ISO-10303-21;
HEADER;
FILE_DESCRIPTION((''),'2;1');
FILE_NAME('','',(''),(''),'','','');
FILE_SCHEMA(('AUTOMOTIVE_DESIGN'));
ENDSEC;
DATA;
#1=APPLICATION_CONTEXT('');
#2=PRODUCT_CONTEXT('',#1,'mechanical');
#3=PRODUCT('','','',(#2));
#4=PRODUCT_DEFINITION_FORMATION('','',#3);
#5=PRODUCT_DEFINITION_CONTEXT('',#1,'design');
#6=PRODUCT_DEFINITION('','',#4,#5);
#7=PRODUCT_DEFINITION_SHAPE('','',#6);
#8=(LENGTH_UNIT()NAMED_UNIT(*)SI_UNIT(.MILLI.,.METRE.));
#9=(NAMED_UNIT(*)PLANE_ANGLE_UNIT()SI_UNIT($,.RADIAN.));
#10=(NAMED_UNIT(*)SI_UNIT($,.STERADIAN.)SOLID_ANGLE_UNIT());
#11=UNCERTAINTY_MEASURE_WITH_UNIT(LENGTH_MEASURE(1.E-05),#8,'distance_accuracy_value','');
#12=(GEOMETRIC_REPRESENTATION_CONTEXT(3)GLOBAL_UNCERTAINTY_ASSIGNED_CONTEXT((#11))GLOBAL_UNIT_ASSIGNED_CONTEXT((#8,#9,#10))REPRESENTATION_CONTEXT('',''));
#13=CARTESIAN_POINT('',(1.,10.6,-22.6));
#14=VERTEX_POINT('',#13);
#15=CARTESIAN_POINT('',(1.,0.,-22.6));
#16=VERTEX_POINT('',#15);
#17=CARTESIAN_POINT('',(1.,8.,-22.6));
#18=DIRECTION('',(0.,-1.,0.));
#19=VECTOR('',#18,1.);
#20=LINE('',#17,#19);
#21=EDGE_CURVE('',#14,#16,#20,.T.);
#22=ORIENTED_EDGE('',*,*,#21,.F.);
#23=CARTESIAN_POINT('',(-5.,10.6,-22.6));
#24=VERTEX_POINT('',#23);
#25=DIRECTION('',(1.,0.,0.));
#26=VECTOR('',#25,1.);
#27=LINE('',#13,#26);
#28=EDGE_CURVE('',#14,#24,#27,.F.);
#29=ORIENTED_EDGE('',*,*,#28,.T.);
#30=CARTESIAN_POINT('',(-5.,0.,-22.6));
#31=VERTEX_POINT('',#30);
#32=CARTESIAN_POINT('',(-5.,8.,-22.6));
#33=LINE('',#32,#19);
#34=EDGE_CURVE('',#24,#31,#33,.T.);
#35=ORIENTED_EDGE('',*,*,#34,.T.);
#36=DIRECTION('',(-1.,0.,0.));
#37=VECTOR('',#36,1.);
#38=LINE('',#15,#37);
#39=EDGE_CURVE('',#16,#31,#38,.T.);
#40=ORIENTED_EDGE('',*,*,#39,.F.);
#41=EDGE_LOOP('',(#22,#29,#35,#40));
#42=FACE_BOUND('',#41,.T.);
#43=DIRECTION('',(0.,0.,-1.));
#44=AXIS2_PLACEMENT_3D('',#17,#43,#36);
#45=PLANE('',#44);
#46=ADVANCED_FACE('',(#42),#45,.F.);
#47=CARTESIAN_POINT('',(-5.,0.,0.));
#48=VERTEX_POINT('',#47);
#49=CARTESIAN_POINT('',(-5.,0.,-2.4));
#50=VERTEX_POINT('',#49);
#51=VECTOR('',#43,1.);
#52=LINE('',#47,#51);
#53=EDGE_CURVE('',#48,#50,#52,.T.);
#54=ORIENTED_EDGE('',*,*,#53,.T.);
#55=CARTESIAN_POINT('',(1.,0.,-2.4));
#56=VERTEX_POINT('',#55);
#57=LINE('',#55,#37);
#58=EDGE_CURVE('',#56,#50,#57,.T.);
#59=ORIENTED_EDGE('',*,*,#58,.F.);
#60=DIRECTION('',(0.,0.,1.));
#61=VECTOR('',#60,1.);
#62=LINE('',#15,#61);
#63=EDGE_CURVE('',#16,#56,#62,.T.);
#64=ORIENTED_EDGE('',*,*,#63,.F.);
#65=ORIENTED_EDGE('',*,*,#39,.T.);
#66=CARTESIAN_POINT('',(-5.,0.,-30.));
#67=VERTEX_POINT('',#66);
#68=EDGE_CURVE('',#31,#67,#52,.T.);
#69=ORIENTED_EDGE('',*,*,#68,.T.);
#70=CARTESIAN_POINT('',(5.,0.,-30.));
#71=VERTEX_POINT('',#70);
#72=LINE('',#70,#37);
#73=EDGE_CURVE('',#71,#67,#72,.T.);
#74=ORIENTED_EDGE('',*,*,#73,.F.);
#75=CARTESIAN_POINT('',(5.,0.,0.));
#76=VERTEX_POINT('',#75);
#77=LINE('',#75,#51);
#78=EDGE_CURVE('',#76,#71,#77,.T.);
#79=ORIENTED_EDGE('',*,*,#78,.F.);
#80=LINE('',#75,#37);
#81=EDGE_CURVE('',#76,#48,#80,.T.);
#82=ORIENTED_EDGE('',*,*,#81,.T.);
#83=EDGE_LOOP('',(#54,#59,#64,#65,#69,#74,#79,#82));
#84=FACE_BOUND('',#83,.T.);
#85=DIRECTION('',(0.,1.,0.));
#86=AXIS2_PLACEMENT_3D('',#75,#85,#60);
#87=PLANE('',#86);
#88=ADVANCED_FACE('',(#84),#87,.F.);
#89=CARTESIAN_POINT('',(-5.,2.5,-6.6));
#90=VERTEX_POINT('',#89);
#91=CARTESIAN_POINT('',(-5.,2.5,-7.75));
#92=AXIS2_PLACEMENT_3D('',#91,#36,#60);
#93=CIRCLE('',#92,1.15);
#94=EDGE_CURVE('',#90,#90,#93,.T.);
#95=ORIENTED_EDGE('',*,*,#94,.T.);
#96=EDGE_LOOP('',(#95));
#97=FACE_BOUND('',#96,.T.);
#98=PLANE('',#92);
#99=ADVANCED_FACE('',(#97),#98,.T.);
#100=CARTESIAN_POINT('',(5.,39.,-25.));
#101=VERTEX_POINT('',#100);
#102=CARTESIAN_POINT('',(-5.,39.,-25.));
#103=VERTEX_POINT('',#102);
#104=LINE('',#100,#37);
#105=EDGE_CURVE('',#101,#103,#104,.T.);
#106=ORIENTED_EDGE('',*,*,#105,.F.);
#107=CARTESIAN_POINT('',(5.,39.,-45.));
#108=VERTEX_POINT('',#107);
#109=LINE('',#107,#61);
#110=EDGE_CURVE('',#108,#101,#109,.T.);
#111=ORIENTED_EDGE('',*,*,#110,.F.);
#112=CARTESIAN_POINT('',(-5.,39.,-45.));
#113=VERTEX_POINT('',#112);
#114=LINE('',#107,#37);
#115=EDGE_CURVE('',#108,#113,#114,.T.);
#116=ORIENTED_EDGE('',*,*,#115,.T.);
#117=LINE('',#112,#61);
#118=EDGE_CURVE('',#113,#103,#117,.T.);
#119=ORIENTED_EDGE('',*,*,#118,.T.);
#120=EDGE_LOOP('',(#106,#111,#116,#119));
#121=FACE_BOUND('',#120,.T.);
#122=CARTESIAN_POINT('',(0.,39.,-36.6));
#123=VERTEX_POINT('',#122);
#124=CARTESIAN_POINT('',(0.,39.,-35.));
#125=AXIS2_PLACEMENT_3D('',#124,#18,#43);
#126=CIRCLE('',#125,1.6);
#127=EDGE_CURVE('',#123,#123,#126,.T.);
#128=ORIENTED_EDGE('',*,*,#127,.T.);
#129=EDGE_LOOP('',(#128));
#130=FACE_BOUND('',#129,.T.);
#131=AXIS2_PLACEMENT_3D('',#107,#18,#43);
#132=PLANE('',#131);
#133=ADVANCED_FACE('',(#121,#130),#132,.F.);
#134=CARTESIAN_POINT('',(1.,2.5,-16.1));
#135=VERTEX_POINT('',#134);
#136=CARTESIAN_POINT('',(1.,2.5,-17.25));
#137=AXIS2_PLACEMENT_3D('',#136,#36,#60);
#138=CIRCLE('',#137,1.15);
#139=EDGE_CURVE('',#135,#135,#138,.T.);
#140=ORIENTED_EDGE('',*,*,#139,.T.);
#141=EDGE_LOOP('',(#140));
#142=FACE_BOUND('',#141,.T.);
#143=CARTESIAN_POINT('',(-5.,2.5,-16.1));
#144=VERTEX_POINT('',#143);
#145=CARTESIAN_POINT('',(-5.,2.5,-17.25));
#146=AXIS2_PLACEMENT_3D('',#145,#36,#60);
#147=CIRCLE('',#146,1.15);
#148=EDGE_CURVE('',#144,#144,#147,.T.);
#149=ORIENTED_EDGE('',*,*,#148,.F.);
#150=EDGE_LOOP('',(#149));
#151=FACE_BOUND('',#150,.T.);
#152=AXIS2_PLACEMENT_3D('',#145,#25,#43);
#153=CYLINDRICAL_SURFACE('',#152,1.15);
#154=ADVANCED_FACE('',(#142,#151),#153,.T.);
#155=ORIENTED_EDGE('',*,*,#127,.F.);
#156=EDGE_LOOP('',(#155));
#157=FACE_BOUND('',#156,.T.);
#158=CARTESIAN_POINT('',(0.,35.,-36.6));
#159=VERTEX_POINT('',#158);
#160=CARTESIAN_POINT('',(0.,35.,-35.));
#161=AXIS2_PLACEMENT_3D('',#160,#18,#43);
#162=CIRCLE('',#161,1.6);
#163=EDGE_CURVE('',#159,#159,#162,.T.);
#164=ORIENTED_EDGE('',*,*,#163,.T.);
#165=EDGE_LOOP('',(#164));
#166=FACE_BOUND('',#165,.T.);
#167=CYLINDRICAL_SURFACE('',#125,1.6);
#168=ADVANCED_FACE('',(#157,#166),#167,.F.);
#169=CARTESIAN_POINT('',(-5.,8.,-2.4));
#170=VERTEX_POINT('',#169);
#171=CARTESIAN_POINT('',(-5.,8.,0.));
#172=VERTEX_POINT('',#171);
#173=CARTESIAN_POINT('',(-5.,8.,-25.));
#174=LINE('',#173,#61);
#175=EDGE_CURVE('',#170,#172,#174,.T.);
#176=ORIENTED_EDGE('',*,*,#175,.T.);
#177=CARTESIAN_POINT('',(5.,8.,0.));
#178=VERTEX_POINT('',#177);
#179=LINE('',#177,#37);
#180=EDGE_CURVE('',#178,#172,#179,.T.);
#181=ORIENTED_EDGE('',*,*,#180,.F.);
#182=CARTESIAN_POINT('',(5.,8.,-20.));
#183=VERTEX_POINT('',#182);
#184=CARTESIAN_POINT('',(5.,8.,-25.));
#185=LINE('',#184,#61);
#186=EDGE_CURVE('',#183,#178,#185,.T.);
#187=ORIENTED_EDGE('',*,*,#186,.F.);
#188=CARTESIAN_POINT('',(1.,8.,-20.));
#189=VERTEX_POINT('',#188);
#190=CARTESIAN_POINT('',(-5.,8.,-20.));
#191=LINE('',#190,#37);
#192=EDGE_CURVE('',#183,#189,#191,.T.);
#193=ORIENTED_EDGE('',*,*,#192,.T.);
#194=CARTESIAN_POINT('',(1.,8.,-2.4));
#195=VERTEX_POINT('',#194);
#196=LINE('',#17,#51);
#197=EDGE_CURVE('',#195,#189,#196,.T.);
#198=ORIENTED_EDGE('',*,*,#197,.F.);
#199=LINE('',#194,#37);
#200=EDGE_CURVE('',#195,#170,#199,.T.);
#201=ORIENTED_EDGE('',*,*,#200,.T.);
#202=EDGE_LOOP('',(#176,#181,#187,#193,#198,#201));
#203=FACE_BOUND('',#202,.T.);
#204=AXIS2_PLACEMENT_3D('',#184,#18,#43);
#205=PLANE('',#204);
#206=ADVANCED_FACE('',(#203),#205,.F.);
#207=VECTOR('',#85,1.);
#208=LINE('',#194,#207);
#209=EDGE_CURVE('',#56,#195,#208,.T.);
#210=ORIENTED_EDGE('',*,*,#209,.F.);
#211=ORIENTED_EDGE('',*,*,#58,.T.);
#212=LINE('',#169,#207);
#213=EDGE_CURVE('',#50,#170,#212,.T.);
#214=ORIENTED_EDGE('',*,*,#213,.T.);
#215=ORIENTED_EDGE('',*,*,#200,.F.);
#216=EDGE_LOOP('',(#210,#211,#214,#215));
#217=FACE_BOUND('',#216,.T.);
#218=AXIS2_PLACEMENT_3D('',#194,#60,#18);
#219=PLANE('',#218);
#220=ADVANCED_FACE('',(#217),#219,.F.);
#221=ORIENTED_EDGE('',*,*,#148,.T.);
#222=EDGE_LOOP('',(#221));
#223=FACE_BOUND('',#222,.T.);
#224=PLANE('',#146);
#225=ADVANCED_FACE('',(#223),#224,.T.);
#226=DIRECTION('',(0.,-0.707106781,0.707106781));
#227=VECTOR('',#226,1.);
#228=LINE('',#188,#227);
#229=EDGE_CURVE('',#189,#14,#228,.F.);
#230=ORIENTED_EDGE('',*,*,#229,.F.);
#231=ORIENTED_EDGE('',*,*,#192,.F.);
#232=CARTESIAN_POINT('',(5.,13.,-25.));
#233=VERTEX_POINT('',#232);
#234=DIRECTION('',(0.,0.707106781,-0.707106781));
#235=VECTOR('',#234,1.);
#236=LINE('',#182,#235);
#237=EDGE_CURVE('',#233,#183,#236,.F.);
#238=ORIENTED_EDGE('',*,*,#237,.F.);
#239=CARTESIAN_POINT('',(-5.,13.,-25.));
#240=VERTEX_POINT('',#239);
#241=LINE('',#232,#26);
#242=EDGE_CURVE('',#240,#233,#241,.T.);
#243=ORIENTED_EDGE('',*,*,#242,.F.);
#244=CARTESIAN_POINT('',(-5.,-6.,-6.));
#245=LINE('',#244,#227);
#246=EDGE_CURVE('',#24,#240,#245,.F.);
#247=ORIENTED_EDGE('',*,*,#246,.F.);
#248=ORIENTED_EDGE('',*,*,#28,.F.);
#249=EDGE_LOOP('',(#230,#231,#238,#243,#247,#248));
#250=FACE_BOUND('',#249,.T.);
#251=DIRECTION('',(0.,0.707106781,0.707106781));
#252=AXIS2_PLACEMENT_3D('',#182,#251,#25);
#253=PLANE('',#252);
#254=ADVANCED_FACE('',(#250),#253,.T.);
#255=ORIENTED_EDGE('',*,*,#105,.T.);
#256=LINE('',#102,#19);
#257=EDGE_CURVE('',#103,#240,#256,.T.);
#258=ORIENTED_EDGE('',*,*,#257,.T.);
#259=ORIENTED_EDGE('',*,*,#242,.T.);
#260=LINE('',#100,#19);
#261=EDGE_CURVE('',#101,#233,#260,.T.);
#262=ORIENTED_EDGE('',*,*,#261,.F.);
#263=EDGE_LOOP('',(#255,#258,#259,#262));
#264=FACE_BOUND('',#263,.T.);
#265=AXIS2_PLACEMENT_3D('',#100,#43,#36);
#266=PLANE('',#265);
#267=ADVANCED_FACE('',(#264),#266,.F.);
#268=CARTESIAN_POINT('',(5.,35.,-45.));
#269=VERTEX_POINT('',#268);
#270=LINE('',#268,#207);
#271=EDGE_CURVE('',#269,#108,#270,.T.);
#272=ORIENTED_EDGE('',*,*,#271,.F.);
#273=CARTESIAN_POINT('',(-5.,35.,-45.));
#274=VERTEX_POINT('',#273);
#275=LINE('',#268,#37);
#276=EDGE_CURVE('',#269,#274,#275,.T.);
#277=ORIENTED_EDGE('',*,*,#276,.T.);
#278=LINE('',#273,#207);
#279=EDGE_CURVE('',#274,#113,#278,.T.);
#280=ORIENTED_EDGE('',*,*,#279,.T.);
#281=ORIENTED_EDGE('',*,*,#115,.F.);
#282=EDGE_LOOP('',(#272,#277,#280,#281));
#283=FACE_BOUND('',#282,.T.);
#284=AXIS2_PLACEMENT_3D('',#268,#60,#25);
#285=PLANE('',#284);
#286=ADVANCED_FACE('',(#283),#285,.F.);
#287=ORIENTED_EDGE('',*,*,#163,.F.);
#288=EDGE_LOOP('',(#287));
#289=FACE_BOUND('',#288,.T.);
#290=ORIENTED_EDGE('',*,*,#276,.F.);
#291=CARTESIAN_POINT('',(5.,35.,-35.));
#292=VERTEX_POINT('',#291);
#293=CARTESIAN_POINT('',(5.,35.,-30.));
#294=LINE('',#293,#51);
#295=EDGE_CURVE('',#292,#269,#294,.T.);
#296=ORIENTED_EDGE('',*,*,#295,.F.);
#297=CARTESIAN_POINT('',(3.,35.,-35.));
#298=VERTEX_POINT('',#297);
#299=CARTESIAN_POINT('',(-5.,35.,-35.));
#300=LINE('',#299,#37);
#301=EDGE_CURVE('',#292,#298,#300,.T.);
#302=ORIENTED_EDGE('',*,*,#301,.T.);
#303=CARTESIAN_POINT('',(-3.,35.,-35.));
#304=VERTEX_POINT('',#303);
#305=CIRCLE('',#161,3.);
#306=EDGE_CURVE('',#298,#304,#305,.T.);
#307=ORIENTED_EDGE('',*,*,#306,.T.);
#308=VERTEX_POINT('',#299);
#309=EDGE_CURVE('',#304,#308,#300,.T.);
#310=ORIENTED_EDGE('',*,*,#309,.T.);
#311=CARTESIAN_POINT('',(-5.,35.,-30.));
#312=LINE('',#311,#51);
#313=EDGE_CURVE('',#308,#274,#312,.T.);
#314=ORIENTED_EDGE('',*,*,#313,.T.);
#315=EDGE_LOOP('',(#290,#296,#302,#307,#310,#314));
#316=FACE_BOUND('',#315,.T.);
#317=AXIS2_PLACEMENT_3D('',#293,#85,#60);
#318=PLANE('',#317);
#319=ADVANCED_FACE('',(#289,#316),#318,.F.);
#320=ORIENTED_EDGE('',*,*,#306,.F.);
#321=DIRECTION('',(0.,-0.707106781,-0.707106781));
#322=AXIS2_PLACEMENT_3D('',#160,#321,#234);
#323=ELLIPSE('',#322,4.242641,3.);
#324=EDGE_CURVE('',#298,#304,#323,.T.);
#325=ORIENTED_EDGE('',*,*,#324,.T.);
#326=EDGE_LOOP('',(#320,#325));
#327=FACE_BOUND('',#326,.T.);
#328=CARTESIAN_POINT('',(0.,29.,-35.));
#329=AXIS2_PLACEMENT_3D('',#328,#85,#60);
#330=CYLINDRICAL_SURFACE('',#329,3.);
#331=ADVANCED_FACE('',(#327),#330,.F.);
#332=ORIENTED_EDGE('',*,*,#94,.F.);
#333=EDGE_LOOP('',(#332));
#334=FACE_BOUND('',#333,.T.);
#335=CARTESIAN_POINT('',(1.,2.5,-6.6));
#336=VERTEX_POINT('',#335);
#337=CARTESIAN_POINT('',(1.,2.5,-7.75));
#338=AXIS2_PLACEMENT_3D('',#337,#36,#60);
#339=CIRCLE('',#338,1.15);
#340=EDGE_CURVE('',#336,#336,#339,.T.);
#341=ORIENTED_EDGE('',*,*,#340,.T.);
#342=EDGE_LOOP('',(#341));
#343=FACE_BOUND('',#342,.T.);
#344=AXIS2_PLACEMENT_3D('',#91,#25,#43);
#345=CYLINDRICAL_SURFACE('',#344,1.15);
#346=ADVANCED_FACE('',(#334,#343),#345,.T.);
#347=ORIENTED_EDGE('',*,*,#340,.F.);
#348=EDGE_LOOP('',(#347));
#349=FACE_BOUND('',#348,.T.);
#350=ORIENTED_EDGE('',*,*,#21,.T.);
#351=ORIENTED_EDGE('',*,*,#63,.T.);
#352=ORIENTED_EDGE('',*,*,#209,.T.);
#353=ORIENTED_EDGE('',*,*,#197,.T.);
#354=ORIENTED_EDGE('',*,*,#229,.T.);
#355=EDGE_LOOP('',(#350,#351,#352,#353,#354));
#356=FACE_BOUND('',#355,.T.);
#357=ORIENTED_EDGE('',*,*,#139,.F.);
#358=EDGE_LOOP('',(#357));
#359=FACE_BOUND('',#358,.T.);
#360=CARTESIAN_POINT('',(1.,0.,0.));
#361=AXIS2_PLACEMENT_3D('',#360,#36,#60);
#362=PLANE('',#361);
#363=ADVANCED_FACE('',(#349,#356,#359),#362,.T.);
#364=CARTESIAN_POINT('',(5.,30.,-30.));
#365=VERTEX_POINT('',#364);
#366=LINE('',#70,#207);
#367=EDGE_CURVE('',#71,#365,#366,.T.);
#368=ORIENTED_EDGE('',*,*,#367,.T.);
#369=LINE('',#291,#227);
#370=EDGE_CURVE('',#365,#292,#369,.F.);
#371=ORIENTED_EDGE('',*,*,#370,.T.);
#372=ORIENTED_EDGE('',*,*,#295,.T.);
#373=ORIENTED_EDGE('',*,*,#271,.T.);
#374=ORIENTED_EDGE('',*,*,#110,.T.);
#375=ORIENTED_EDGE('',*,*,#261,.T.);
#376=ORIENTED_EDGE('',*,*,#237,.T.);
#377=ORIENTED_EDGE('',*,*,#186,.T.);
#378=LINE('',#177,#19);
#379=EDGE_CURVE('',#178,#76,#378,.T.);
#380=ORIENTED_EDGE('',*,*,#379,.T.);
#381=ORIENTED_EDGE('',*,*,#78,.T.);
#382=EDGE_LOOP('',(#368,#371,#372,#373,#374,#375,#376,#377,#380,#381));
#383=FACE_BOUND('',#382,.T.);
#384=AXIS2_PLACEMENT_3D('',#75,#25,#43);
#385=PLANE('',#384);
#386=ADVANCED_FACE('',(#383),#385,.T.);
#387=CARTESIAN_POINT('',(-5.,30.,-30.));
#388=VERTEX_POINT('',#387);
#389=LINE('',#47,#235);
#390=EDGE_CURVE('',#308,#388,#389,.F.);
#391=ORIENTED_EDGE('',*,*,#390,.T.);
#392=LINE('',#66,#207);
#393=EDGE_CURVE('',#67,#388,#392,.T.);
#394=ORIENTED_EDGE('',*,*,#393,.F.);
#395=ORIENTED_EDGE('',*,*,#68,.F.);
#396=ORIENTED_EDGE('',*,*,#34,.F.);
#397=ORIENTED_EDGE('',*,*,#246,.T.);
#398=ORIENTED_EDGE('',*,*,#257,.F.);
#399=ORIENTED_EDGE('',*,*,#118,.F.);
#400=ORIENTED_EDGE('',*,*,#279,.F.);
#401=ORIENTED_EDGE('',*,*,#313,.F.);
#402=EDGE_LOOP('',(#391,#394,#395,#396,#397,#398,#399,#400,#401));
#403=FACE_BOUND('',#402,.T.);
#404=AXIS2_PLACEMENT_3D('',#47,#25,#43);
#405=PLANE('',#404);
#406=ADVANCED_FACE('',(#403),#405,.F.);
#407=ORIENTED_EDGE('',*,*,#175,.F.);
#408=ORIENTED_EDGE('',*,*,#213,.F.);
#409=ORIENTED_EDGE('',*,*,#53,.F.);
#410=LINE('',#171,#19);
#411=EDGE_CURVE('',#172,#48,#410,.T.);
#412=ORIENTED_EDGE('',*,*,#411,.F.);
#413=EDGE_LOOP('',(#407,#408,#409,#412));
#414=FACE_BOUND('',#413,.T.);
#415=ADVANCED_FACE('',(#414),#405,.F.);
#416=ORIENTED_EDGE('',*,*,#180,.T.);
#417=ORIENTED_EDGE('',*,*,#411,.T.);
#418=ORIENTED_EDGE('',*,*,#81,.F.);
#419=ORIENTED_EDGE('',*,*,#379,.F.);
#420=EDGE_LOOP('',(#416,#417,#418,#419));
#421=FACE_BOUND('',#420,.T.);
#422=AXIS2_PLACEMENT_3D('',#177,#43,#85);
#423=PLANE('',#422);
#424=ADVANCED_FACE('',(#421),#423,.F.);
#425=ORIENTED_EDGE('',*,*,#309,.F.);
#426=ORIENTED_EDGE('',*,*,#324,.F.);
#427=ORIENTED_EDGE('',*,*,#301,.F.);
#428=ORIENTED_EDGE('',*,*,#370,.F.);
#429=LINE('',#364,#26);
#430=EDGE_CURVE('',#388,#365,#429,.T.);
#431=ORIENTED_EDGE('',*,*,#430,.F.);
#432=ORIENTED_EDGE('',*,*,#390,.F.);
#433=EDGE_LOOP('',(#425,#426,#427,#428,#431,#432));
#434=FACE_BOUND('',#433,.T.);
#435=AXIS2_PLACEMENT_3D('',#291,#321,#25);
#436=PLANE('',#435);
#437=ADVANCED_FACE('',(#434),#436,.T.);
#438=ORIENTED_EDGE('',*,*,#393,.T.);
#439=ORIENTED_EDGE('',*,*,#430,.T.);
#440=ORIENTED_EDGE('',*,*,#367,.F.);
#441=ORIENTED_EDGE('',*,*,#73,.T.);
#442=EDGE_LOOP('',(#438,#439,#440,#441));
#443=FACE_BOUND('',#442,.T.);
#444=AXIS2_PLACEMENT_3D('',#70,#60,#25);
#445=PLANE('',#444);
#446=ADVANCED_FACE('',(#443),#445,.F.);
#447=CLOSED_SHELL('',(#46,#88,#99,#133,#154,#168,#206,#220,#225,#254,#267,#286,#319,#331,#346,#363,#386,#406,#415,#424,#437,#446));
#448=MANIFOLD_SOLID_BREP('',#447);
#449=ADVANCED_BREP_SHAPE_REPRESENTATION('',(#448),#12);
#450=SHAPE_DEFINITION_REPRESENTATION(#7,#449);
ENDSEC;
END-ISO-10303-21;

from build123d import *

# Parameters (mm, degrees)
EXTRUDE_1_DEPTH     = 5
SKETCH_2_W          = 20.2
SKETCH_2_H          = 8
CUT_EXTRUDE_1_DEPTH = 6
SKETCH_3_R          = 1.15
EXTRUDE_2_DEPTH     = 6
CHAMFER_1_SIZE      = 5
SKETCH_4_R          = 3
CUT_EXTRUDE_2_DEPTH = 6
SKETCH_5_R          = 1.6
CUT_EXTRUDE_3_DEPTH = 5


with BuildPart() as part:
    # 草图1 → 凸台-拉伸1 (new body, symmetric)
    with BuildSketch(Plane(origin=(0, 0, 0), x_dir=(0, 0, -1), z_dir=(1, 0, 0))):
        Polygon((0, 0), (30, 0), (30, 35), (45, 35), (45, 39), (25, 39), (25, 8), (0, 8), align=None)
    extrude(amount=EXTRUDE_1_DEPTH, both=True)

    # 草图2 → 切除-拉伸1 (cut)
    with BuildSketch(Plane.ZY.offset(5)):
        with Locations((-12.5, 4)):
            Rectangle(SKETCH_2_W, SKETCH_2_H)
    extrude(amount=-CUT_EXTRUDE_1_DEPTH, mode=Mode.SUBTRACT)

    # 草图3 → 凸台-拉伸2 (add)
    with BuildSketch(Plane.ZY.offset(-1)):
        with Locations((-17.25, 2.5)):
            Circle(SKETCH_3_R)
        with Locations((-7.75, 2.5)):
            Circle(SKETCH_3_R)
    extrude(amount=EXTRUDE_2_DEPTH)

    # 倒角1
    chamfer_1_edges = [part.edges().sort_by_distance(p)[0] for p in [
        (0, 8, -25),
        (0, 35, -30),
    ]]
    chamfer(chamfer_1_edges, length=CHAMFER_1_SIZE)

    # 草图4 → 切除-拉伸2 (cut)
    with BuildSketch(Plane.XZ.offset(-35)):
        with Locations((0, -35)):
            Circle(SKETCH_4_R)
    extrude(amount=CUT_EXTRUDE_2_DEPTH, mode=Mode.SUBTRACT)

    # 草图5 → 切除-拉伸3 (cut, through all)
    with BuildSketch(Plane.XZ.offset(-35)):
        with Locations((0, -35)):
            Circle(SKETCH_5_R)
    extrude(amount=-CUT_EXTRUDE_3_DEPTH, mode=Mode.SUBTRACT)


solid = part.part
